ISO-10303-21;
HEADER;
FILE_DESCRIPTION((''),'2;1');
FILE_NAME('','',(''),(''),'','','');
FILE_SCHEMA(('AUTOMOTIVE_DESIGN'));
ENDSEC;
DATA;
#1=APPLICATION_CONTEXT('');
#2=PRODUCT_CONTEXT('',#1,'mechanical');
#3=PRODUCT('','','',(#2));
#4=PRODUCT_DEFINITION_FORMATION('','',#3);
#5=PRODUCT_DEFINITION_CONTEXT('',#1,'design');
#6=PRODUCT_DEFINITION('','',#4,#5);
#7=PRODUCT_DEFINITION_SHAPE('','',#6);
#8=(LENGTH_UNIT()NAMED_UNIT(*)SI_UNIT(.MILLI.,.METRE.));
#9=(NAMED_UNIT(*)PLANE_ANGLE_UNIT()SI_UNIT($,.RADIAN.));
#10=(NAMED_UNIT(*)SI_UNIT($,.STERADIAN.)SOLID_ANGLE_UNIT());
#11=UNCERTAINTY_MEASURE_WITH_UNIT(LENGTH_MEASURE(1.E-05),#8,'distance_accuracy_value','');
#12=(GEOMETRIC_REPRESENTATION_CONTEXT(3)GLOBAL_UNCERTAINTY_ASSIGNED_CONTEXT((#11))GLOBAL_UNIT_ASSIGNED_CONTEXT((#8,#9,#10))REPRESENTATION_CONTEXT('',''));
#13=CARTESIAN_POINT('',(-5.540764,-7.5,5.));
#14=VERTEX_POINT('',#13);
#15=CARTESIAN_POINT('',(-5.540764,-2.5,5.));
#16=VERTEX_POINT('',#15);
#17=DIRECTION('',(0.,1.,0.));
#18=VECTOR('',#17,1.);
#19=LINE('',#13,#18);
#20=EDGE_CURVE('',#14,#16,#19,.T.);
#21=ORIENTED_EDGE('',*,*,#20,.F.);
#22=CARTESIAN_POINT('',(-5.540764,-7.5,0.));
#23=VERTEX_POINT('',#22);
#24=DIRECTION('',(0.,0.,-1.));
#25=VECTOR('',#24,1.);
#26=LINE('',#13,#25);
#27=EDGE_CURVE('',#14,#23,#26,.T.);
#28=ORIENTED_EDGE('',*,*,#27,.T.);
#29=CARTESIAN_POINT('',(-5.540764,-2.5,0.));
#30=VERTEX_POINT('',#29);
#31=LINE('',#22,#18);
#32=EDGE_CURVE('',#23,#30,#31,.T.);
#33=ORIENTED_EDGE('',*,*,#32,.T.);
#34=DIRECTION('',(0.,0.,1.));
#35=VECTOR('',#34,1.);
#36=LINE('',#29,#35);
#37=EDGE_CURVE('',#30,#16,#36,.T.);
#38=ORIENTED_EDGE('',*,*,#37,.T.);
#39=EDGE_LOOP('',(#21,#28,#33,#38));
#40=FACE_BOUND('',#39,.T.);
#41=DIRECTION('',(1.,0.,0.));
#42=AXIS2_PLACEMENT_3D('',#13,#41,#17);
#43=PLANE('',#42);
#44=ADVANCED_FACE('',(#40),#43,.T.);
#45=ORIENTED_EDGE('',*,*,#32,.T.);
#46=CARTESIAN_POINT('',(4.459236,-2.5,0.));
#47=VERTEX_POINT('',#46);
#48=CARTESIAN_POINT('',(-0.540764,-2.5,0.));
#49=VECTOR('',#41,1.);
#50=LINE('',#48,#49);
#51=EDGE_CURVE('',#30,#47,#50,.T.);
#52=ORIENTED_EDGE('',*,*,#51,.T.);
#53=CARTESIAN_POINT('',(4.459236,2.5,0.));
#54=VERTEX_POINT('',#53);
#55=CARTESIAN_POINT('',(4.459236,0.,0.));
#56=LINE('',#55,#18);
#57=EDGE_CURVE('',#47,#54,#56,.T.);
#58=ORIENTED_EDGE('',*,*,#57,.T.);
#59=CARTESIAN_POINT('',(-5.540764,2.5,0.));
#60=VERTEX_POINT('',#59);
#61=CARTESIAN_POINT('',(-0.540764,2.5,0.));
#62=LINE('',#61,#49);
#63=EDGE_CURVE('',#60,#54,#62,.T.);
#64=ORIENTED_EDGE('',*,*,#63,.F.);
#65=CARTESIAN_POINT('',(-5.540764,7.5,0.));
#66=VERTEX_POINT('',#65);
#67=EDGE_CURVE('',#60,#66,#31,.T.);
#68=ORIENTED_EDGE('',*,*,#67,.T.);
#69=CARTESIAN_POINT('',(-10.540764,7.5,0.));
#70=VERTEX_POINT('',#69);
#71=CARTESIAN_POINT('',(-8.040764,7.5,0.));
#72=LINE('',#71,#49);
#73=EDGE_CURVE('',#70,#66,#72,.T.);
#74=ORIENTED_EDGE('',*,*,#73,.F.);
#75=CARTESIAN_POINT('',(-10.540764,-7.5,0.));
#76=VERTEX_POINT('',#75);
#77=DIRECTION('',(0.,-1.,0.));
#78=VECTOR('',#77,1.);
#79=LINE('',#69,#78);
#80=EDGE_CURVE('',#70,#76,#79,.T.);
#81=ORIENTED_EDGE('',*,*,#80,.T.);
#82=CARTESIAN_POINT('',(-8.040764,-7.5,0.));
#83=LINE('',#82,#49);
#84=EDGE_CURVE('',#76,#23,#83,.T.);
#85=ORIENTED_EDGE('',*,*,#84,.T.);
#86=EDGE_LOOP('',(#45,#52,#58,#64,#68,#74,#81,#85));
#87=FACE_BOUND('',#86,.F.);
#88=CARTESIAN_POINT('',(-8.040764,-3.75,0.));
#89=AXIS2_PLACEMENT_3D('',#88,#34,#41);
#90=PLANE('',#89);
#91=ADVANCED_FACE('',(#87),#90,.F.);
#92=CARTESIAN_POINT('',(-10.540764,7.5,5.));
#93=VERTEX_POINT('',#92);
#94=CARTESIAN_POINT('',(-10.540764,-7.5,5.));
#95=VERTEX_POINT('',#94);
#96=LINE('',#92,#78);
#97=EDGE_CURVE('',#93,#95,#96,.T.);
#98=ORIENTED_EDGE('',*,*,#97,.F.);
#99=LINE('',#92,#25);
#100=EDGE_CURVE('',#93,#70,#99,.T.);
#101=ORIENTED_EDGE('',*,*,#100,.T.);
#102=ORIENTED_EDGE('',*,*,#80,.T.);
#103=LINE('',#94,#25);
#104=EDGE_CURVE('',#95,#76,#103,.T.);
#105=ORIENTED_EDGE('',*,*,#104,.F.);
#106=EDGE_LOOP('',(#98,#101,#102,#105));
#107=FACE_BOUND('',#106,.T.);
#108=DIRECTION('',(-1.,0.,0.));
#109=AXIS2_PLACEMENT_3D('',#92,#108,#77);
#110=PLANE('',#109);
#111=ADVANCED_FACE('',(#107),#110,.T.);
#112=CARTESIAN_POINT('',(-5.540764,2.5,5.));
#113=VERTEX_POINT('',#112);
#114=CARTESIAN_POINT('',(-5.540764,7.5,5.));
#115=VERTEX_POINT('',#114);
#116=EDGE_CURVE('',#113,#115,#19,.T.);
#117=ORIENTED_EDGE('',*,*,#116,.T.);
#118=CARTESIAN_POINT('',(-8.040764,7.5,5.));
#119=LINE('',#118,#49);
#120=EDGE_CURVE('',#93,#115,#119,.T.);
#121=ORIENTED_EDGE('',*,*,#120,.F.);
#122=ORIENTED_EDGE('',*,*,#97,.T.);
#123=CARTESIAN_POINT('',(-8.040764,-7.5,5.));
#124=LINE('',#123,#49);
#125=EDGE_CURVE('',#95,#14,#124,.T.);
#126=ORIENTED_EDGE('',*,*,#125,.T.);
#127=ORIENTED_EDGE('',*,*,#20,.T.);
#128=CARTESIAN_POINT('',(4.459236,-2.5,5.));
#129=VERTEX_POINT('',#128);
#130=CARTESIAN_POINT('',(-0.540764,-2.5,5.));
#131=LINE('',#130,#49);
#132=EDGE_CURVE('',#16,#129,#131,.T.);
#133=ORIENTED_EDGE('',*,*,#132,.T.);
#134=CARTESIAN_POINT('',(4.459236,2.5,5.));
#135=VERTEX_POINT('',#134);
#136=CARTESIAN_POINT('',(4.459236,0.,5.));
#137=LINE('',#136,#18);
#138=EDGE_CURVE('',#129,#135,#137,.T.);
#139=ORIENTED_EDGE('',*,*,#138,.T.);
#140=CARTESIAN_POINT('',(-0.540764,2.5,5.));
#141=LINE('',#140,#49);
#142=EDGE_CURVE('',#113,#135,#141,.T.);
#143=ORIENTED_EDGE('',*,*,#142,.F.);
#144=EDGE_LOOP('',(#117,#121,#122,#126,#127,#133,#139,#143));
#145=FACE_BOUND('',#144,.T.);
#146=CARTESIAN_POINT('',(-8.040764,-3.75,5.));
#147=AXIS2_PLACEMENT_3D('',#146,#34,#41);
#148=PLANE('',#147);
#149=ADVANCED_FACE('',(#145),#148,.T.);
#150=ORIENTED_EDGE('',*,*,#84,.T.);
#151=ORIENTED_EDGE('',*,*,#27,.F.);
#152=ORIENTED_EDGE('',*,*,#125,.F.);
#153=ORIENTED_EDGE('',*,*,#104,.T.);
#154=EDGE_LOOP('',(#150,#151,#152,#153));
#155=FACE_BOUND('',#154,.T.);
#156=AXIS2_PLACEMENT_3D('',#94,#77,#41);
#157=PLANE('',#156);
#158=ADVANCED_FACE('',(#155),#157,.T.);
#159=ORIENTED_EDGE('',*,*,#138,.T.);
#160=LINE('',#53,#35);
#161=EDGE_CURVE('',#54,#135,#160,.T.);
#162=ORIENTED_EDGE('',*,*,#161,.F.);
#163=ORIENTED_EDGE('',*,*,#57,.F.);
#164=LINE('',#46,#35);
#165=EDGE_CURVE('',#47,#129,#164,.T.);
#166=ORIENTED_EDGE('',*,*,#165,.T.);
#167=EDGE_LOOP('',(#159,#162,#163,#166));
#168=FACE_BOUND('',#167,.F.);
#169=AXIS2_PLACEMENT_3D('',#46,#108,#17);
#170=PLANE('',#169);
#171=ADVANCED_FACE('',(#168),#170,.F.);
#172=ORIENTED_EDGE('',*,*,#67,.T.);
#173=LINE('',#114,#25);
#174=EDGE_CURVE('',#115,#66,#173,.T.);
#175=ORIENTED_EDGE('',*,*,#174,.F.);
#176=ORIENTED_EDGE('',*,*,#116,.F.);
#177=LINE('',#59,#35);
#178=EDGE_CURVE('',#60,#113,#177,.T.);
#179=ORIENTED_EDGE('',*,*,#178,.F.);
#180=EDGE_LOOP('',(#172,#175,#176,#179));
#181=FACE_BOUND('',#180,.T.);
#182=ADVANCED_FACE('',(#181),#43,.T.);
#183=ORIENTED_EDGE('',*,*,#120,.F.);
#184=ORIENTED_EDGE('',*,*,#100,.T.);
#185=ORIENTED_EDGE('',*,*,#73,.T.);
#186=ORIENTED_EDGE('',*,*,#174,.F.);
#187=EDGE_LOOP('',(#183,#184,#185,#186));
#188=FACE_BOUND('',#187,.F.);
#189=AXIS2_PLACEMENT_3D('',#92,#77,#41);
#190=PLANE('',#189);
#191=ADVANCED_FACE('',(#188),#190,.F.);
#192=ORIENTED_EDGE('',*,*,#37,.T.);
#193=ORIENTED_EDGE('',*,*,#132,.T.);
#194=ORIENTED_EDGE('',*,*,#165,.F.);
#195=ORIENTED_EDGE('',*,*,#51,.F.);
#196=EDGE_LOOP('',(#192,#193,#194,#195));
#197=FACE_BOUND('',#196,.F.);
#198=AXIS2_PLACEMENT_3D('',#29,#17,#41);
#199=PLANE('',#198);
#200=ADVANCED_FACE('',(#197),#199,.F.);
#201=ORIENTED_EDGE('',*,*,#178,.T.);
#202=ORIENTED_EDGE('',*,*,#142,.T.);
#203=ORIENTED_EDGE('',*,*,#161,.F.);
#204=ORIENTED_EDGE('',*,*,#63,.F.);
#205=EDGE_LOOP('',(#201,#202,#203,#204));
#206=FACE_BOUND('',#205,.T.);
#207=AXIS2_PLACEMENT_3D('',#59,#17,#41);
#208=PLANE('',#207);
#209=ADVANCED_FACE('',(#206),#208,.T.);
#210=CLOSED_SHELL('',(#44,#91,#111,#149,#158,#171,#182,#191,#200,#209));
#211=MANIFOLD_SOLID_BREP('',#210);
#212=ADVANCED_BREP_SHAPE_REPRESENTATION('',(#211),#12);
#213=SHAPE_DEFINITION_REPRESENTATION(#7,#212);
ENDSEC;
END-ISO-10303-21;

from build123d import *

# Parameters (mm, degrees)
F0_W     = 10
F0_H     = 5
F1_DEPTH = 5
F2_W     = 5
F2_H     = 7.5
F3_DEPTH = 5


with BuildPart() as f1:
    # F0 (on Top) → F1 (new body)
    with BuildSketch(Plane.XY):
        with Locations((-0.540764, 0)):
            Rectangle(F0_W, F0_H)
    extrude(amount=F1_DEPTH)

    # F2 (on face) → F3 (join)
    with BuildSketch(Plane.XY.offset(5)):
        with Locations((-8.040764, -3.75)):
            Rectangle(F2_W, F2_H)
        with Locations((-8.040764, 3.75)):
            Rectangle(F2_W, F2_H)
    extrude(amount=-F3_DEPTH)


solid = f1.part
